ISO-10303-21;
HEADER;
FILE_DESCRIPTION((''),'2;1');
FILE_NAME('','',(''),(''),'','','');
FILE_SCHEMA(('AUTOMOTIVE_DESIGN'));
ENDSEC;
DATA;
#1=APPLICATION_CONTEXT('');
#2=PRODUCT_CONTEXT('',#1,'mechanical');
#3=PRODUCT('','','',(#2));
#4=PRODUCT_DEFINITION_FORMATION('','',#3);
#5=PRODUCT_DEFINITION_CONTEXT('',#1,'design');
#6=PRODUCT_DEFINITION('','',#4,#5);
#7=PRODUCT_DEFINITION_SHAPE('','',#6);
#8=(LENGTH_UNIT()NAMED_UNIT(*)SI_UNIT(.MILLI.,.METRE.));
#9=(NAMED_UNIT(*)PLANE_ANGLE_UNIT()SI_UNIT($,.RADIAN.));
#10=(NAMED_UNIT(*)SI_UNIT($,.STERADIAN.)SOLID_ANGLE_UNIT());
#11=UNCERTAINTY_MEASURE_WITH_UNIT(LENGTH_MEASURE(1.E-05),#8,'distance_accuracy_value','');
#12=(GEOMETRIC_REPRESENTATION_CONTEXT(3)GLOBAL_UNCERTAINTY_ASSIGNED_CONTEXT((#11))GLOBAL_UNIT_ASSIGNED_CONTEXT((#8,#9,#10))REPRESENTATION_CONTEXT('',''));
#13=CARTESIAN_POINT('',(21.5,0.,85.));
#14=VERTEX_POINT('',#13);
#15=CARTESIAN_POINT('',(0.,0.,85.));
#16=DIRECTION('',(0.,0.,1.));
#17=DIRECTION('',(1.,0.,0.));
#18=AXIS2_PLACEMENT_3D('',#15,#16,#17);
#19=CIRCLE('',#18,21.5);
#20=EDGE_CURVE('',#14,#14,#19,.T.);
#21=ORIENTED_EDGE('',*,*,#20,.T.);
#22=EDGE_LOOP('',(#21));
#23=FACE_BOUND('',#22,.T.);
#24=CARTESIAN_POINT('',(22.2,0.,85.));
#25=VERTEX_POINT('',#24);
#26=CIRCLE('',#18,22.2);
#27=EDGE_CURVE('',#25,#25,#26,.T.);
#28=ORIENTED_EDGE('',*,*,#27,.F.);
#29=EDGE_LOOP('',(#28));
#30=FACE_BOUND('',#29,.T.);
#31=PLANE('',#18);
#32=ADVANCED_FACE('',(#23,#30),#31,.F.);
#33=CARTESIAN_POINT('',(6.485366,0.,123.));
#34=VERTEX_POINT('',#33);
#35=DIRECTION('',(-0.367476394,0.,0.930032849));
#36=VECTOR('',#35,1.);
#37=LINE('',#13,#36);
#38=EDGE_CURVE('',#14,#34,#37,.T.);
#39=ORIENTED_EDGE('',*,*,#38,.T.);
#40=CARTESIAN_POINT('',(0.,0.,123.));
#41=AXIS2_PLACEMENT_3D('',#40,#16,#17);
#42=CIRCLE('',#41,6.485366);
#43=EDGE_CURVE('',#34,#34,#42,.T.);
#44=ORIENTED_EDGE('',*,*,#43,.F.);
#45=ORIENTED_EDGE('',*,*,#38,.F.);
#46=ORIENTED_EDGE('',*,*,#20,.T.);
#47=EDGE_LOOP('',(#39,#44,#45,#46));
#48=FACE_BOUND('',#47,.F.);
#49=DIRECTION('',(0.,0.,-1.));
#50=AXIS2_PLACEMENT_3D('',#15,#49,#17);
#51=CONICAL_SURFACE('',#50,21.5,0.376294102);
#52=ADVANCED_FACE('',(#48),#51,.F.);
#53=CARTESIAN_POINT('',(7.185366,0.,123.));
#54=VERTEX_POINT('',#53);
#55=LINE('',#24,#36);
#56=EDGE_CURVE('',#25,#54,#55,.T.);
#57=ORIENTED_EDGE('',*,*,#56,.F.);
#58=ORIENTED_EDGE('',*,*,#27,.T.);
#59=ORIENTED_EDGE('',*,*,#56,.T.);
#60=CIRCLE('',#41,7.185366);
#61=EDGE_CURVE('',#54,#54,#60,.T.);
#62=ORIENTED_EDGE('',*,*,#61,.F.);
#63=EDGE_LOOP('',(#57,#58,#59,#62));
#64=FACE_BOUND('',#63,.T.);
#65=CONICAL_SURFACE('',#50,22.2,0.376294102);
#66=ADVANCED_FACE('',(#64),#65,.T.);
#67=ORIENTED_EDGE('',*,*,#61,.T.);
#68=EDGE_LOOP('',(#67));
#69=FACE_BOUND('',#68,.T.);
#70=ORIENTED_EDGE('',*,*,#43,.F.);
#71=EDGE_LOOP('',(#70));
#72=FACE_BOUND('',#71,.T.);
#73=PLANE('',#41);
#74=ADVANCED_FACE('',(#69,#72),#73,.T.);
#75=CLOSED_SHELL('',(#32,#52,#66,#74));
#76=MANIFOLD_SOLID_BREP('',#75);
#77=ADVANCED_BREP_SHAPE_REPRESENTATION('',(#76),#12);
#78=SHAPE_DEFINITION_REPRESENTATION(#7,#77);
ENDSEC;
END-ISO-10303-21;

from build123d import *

# Parameters (mm, degrees)
CYLINDER044_R     = 8
CYLINDER044_DEPTH = 3


with BuildPart() as cylinder044:
    # Cylinder044 → Cylinder044 (new body)
    with BuildSketch(Plane.XY.offset(123)):
        Circle(CYLINDER044_R)
    extrude(amount=CYLINDER044_DEPTH)


with BuildPart() as cone001:
    # Cone002 → Cone002 (revolve)
    with BuildSketch(Plane(origin=(0, 0, 75), x_dir=(1, 0, 0), z_dir=(0, -1, 0))):
        Polygon((0, 0), (21.5, 0), (5.3, 41), (0, 41), align=None)
    revolve(axis=Axis((0, 0, 75), (0, 0, 1)))


with BuildPart() as conical_section:
    # Cone001 → Cone001 (revolve)
    with BuildSketch(Plane(origin=(0, 0, 75), x_dir=(1, 0, 0), z_dir=(0, -1, 0))):
        Polygon((0, 0), (22.2, 0), (6, 41), (0, 41), align=None)
    revolve(axis=Axis((0, 0, 75), (0, 0, 1)))

    # Cut003: cut Cone001
    add(cone001.part, mode=Mode.SUBTRACT)


with BuildPart() as conical_section_1:
    # Cut003 placement: moved
    add(conical_section.part.moved(Location((0, 0, 10))))

    # Cut038: cut Cylinder044
    add(cylinder044.part, mode=Mode.SUBTRACT)


solid = conical_section_1.part
